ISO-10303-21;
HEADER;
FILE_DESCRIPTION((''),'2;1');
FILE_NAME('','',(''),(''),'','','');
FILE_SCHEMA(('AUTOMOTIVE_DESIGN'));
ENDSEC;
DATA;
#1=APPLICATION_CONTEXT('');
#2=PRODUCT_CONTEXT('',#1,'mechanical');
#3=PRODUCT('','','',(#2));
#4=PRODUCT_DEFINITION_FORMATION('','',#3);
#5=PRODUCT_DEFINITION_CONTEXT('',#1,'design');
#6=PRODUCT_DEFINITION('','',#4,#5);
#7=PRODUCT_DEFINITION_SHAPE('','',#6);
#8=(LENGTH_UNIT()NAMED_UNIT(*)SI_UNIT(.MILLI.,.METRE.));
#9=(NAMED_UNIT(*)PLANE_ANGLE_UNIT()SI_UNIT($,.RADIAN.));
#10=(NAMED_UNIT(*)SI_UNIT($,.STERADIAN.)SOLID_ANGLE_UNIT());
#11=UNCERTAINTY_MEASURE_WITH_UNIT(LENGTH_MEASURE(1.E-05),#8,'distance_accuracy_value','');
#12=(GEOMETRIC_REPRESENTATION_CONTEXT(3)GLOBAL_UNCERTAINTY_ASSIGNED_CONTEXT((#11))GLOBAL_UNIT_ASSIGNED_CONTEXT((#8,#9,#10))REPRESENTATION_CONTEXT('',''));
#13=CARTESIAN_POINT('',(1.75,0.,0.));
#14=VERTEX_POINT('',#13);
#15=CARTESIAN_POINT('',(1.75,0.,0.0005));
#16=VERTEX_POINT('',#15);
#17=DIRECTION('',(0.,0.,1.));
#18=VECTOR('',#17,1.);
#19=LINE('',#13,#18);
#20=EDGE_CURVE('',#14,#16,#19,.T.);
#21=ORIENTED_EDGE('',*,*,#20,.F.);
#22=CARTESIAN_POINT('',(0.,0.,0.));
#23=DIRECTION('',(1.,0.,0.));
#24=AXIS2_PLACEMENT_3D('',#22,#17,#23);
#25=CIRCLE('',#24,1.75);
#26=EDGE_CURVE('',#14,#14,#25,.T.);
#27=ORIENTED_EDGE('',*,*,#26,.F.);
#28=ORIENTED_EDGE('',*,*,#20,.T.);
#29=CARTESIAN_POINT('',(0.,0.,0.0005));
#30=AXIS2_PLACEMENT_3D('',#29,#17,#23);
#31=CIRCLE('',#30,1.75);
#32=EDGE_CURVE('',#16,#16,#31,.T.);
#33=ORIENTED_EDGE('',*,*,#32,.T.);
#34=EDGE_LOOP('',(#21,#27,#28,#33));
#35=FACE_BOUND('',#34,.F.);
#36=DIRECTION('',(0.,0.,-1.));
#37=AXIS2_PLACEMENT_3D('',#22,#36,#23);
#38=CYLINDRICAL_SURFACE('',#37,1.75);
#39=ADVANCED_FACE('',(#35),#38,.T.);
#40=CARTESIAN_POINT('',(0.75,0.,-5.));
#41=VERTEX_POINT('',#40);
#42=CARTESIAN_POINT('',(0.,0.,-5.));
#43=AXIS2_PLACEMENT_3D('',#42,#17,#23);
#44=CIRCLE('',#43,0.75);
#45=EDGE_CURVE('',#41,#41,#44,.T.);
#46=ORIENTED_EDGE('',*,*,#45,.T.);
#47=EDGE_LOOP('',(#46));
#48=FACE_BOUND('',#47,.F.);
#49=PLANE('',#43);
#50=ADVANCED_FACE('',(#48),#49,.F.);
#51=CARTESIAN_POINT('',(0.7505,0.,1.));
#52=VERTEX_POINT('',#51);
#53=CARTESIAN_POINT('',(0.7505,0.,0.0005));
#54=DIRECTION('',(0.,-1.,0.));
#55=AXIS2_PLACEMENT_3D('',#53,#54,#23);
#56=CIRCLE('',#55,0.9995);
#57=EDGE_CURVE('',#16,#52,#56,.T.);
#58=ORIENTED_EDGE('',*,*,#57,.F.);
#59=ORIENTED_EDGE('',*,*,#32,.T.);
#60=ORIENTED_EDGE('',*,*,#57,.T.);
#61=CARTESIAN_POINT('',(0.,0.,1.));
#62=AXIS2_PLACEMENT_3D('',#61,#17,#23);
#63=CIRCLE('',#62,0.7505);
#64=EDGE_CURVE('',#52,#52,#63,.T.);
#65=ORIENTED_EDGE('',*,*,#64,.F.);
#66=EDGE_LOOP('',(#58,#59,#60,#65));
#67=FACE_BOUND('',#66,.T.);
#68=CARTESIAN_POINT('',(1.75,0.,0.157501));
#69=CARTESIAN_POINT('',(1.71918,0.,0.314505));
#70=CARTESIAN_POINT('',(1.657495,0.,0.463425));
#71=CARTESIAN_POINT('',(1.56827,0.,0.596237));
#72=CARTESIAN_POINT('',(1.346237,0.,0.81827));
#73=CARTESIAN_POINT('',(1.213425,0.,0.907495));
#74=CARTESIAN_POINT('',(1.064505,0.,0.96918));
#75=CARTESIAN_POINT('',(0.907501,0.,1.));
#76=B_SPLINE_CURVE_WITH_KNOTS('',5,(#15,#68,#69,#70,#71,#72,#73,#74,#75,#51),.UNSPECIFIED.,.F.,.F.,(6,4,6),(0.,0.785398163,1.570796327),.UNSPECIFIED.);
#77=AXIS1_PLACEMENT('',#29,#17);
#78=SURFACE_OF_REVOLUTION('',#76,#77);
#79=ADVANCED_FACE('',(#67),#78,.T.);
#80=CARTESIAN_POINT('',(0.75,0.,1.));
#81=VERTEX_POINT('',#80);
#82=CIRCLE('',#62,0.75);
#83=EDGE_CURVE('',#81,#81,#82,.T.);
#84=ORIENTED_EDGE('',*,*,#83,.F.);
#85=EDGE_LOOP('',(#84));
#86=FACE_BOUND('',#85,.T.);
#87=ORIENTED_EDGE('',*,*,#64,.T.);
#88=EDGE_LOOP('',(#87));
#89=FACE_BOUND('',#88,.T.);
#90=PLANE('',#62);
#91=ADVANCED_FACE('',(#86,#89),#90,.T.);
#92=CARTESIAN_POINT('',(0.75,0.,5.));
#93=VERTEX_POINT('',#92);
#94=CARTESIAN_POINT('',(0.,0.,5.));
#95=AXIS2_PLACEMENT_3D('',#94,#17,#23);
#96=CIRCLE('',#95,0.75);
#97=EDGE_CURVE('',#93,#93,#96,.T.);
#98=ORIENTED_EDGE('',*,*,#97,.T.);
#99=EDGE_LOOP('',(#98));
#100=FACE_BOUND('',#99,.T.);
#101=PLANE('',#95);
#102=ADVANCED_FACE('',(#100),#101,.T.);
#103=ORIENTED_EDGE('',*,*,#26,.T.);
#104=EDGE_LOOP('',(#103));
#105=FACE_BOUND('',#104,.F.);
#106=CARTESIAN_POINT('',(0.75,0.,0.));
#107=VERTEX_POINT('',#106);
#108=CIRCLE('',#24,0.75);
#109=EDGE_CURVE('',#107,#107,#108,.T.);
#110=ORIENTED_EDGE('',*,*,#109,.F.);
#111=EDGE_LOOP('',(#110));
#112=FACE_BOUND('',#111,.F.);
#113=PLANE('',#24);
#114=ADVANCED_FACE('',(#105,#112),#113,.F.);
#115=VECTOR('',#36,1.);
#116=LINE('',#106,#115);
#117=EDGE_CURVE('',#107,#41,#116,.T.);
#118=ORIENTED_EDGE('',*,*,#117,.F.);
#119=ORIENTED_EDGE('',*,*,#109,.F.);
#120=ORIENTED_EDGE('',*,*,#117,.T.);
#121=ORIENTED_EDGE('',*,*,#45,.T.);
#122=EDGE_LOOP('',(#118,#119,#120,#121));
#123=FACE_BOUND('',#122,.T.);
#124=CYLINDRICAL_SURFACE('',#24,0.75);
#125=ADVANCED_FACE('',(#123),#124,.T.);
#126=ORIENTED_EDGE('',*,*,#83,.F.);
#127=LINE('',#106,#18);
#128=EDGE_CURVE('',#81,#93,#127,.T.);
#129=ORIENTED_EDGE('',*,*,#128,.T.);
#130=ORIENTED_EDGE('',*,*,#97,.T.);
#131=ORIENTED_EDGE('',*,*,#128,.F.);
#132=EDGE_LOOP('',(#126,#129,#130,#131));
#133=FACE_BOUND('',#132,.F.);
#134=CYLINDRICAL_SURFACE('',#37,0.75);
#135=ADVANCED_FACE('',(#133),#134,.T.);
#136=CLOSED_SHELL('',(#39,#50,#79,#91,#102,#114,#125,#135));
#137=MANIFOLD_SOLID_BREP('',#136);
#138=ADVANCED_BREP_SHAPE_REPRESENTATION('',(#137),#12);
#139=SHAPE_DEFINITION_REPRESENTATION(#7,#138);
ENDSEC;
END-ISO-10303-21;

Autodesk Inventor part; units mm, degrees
ref_plane "YZ Plane" through (0, 0, 0) normal (1, 0, 0) x (0, 1, 0)
ref_plane "XZ Plane" through (0, 0, 0) normal (0, 1, 0) x (-1, 0, 0)
ref_plane "XY Plane" through (0, 0, 0) normal (0, 0, 1) x (1, 0, 0)
sketch "Sketch1" plane through (0, 0, 0) normal (0, 0, 1) x (1, 0, 0)
  circle A0 centre (0, 0) radius 0.75
  circle A1 centre (0, 0) radius 1.75
  dimension "d0" = 1.5
  dimension "d1" = 3.5
extrude "Extrusion1" add sketch "Sketch1" along normal mid plane 10 contours A0
extrude "Extrusion2" add sketch "Sketch1" along normal blind 1
fillet "Fillet1" radius 1 1 edges at (-1.75, 0, 1)
properties part number "X-Ray Tube Pins" material "Aluminum 6061"
